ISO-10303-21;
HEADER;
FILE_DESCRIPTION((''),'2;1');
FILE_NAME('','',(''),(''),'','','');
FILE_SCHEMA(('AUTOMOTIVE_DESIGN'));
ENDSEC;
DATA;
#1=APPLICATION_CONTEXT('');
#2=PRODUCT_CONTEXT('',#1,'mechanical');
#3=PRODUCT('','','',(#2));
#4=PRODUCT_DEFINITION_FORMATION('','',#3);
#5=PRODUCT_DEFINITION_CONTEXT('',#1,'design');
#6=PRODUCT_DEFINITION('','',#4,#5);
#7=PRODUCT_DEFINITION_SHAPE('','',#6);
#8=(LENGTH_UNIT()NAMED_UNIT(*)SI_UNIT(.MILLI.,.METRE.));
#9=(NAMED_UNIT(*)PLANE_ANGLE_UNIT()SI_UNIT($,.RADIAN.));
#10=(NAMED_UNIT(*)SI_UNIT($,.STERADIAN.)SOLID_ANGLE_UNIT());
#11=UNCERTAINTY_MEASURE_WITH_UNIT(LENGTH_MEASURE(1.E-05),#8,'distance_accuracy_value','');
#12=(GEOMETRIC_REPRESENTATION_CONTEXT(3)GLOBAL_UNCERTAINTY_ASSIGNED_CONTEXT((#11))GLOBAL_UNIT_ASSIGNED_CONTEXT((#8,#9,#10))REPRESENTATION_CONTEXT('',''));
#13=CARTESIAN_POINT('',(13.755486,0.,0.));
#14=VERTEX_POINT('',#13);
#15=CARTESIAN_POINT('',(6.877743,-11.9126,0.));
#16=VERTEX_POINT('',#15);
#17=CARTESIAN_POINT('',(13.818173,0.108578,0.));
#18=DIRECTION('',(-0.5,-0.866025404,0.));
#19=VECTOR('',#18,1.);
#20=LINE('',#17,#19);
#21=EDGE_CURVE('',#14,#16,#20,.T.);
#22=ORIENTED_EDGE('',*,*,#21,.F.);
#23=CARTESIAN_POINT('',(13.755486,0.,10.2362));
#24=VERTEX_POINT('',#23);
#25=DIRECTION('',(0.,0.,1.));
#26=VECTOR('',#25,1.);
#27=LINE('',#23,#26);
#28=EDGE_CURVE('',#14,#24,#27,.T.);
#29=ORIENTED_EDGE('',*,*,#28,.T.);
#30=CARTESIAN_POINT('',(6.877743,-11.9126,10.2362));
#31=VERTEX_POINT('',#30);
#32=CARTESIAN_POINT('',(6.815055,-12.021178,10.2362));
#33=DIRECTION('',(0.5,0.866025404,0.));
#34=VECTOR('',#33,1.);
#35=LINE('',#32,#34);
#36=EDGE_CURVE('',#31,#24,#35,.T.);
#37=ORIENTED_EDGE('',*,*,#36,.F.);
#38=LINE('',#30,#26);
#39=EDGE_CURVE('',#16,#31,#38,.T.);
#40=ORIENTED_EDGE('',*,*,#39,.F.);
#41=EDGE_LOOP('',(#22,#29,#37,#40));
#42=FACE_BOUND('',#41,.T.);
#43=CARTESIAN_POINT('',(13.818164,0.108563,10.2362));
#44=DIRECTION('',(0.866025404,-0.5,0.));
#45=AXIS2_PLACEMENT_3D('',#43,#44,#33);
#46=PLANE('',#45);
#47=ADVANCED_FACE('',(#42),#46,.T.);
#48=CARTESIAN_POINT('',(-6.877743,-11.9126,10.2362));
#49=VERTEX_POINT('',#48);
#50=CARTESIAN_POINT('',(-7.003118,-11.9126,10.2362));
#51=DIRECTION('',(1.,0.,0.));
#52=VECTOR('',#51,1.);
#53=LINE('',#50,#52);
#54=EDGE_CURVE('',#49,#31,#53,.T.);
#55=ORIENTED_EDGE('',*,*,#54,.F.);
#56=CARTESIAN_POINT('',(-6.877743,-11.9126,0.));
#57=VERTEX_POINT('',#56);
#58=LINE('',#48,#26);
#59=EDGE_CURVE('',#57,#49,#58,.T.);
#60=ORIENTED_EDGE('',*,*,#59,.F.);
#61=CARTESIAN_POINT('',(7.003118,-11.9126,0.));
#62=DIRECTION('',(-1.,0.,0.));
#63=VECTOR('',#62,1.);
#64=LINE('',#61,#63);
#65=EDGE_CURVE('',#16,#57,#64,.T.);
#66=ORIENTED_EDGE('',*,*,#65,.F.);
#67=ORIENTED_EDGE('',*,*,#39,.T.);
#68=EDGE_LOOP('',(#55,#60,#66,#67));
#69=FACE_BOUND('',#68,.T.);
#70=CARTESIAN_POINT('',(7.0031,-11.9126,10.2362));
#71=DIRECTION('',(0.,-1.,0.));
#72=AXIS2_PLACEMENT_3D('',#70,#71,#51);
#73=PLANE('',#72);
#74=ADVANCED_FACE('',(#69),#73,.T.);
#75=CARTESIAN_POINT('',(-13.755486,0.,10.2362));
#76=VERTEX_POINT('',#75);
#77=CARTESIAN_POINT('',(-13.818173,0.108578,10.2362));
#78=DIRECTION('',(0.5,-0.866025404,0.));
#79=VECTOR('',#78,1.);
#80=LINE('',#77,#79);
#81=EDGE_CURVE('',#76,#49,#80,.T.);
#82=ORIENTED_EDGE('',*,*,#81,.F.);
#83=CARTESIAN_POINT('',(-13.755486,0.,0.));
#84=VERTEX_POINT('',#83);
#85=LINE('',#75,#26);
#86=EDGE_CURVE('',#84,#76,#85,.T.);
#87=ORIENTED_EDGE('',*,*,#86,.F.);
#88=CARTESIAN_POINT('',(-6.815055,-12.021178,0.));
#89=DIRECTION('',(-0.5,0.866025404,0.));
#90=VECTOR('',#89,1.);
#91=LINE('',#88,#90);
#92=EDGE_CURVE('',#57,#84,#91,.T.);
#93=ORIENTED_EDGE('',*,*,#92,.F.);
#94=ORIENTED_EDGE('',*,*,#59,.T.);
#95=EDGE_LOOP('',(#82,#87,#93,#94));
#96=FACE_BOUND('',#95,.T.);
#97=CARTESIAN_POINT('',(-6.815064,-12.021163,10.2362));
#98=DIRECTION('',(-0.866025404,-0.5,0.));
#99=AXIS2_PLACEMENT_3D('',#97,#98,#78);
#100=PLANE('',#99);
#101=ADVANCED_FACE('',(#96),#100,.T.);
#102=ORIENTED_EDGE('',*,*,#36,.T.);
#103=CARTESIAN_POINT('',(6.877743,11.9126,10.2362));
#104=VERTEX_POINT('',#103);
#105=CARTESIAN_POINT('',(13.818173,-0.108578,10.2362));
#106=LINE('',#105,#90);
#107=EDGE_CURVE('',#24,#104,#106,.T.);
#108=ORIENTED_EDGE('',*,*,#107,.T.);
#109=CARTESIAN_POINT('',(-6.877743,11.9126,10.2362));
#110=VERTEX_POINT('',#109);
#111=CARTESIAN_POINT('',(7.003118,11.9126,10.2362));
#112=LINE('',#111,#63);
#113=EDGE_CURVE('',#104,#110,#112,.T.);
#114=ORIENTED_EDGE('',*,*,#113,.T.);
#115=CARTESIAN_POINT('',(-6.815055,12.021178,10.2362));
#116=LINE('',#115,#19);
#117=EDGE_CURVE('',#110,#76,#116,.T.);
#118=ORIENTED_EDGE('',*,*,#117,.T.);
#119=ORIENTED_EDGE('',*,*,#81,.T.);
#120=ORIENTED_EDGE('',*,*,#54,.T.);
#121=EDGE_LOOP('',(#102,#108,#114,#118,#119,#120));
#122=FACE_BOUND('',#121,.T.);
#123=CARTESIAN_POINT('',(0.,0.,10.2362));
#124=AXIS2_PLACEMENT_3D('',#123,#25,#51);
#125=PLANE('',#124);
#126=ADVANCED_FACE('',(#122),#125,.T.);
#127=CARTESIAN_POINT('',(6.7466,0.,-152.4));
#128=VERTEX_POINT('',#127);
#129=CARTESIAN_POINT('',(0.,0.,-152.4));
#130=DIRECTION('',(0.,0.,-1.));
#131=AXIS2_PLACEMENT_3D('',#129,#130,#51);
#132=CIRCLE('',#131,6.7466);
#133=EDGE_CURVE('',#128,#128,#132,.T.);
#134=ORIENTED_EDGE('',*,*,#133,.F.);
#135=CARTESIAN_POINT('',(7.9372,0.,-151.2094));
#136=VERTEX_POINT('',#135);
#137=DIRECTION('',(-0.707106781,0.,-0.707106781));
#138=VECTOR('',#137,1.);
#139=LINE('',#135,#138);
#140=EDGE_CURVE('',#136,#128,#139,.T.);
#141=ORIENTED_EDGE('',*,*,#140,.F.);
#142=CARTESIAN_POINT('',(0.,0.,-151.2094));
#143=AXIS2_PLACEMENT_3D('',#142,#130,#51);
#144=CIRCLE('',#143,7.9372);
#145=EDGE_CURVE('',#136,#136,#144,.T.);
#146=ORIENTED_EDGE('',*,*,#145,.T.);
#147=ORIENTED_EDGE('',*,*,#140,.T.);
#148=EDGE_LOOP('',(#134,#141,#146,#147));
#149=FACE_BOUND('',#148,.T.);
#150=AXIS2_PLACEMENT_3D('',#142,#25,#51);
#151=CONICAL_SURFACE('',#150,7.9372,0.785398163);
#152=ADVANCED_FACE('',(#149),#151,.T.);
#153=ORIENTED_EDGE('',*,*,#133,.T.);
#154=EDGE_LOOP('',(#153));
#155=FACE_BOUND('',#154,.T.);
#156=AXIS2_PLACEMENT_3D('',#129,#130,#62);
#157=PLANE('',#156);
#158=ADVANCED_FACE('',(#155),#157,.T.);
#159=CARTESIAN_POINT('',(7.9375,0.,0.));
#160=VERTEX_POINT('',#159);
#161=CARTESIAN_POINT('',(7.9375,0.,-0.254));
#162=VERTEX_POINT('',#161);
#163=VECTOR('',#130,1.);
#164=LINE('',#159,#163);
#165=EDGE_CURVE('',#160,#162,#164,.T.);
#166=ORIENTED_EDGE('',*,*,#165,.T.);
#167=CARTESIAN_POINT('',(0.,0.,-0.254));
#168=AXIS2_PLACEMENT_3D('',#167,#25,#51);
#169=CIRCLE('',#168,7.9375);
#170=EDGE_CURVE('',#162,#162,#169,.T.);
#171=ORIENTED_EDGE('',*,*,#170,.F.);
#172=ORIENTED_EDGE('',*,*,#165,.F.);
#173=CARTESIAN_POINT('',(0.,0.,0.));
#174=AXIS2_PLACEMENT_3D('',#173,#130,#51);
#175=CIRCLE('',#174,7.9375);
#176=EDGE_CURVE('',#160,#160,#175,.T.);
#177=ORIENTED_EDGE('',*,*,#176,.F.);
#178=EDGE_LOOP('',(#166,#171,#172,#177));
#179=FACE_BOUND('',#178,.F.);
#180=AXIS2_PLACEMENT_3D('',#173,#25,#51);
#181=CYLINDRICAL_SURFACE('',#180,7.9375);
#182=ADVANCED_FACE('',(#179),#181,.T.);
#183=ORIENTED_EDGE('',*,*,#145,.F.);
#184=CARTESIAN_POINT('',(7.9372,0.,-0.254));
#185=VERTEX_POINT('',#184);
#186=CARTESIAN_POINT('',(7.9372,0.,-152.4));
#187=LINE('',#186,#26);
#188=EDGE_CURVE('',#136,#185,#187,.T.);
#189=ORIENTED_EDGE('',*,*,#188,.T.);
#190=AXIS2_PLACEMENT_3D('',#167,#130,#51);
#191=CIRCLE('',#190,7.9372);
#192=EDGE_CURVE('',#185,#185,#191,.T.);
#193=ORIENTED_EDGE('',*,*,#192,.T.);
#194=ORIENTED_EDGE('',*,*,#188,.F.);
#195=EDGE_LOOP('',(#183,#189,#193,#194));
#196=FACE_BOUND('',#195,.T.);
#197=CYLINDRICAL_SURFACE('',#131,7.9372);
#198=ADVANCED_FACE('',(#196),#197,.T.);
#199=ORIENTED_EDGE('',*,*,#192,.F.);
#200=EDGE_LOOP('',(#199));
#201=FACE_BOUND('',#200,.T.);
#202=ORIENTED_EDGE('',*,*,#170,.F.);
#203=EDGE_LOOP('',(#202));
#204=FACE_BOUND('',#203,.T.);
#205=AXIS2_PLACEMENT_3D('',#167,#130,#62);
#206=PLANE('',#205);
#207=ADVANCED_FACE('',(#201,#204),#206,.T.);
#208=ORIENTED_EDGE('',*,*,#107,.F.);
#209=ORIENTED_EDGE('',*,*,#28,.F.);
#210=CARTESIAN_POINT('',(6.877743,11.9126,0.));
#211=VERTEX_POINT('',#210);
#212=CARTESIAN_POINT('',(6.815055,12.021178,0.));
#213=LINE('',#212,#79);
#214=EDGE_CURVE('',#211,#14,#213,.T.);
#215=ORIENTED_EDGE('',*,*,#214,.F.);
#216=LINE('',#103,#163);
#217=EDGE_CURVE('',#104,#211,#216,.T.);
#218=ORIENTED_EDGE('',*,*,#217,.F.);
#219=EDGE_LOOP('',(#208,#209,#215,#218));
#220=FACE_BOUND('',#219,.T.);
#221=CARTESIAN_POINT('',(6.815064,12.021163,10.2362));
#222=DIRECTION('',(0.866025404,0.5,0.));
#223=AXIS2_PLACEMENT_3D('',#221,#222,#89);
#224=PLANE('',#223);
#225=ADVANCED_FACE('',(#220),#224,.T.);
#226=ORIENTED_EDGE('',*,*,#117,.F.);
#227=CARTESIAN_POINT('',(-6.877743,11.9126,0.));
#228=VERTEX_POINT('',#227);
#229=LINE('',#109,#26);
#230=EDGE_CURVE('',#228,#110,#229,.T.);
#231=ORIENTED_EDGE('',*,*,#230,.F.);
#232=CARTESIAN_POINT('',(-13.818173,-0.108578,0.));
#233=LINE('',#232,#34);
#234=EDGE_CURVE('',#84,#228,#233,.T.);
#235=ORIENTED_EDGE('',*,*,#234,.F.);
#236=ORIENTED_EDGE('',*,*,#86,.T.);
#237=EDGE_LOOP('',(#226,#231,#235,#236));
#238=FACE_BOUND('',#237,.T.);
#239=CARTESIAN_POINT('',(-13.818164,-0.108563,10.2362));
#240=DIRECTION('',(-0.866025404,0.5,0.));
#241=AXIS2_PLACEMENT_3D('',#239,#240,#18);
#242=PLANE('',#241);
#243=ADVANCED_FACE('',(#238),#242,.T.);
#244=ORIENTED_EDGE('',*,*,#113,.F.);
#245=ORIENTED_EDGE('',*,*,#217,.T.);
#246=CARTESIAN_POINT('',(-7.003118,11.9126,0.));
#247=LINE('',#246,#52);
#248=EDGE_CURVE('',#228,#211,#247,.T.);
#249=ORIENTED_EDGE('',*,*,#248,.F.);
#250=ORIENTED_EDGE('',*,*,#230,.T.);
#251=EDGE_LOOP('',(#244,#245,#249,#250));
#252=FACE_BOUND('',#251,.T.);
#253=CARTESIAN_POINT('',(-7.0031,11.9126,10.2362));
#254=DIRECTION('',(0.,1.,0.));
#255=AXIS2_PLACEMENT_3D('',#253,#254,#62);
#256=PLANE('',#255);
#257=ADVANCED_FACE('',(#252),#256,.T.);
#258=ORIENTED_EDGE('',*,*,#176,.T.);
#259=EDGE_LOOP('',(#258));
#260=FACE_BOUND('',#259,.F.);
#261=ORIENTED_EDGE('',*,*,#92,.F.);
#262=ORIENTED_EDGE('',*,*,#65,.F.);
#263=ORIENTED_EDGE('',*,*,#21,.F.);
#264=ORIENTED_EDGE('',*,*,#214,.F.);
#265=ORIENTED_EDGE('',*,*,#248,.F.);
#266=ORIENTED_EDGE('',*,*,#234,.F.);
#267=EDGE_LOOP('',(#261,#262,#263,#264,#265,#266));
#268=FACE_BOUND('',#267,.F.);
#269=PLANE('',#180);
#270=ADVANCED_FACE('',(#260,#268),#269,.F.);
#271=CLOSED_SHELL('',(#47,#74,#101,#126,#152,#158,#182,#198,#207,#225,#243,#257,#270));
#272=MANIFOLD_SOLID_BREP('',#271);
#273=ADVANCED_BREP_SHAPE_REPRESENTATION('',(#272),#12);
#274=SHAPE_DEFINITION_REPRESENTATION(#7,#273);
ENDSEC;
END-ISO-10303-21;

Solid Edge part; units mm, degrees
sketch "Sketch1" plane through (0, 0, 0) normal (0, 0, 1) x (1, 0, 0)
  circle A0 centre (0, 0) radius 13.8186
  dimension "D1" = 27.6372
extrude "Protrusion1" add sketch "Sketch1" along normal blind 10.2362
sketch "Sketch2" plane through (0, 0, 0) normal (0, 0, -1) x (1, 0, 0)
  circle A0 centre (0, 0) radius 7.9375
extrude "Protrusion2" add sketch "Sketch2" along normal blind 152.4
sketch "Sketch3" plane through (0, 0, -152.4) normal (0, 0, -1) x (1, 0, 0)
  circle A0 centre (0, 0) radius 7.9372
extrude "Cutout1" cut sketch "Sketch3" against normal blind 152.146 flip side to cut
chamfer "Chamfer_1" distance 1.1906 angle 45 1 edges at (-7.9372, 0, -152.4)
sketch "Sketch4" plane through (0, 0, 10.2362) normal (0, 0, 1) x (1, 0, 0)
  line L0 (-7.0031, 11.9126) -> (7.0031, 11.9126)
  dimension "D1" = 23.8252
extrude "Cutout2" cut sketch "Sketch4" against normal up to next material side at (0, 11.9626, 10.2362)
pattern_circular "Pattern1" count 6 over 360 about axis through (0, 0, 10.2362) along (0, 0, 1) of "Cutout2"
properties part number "161469"
